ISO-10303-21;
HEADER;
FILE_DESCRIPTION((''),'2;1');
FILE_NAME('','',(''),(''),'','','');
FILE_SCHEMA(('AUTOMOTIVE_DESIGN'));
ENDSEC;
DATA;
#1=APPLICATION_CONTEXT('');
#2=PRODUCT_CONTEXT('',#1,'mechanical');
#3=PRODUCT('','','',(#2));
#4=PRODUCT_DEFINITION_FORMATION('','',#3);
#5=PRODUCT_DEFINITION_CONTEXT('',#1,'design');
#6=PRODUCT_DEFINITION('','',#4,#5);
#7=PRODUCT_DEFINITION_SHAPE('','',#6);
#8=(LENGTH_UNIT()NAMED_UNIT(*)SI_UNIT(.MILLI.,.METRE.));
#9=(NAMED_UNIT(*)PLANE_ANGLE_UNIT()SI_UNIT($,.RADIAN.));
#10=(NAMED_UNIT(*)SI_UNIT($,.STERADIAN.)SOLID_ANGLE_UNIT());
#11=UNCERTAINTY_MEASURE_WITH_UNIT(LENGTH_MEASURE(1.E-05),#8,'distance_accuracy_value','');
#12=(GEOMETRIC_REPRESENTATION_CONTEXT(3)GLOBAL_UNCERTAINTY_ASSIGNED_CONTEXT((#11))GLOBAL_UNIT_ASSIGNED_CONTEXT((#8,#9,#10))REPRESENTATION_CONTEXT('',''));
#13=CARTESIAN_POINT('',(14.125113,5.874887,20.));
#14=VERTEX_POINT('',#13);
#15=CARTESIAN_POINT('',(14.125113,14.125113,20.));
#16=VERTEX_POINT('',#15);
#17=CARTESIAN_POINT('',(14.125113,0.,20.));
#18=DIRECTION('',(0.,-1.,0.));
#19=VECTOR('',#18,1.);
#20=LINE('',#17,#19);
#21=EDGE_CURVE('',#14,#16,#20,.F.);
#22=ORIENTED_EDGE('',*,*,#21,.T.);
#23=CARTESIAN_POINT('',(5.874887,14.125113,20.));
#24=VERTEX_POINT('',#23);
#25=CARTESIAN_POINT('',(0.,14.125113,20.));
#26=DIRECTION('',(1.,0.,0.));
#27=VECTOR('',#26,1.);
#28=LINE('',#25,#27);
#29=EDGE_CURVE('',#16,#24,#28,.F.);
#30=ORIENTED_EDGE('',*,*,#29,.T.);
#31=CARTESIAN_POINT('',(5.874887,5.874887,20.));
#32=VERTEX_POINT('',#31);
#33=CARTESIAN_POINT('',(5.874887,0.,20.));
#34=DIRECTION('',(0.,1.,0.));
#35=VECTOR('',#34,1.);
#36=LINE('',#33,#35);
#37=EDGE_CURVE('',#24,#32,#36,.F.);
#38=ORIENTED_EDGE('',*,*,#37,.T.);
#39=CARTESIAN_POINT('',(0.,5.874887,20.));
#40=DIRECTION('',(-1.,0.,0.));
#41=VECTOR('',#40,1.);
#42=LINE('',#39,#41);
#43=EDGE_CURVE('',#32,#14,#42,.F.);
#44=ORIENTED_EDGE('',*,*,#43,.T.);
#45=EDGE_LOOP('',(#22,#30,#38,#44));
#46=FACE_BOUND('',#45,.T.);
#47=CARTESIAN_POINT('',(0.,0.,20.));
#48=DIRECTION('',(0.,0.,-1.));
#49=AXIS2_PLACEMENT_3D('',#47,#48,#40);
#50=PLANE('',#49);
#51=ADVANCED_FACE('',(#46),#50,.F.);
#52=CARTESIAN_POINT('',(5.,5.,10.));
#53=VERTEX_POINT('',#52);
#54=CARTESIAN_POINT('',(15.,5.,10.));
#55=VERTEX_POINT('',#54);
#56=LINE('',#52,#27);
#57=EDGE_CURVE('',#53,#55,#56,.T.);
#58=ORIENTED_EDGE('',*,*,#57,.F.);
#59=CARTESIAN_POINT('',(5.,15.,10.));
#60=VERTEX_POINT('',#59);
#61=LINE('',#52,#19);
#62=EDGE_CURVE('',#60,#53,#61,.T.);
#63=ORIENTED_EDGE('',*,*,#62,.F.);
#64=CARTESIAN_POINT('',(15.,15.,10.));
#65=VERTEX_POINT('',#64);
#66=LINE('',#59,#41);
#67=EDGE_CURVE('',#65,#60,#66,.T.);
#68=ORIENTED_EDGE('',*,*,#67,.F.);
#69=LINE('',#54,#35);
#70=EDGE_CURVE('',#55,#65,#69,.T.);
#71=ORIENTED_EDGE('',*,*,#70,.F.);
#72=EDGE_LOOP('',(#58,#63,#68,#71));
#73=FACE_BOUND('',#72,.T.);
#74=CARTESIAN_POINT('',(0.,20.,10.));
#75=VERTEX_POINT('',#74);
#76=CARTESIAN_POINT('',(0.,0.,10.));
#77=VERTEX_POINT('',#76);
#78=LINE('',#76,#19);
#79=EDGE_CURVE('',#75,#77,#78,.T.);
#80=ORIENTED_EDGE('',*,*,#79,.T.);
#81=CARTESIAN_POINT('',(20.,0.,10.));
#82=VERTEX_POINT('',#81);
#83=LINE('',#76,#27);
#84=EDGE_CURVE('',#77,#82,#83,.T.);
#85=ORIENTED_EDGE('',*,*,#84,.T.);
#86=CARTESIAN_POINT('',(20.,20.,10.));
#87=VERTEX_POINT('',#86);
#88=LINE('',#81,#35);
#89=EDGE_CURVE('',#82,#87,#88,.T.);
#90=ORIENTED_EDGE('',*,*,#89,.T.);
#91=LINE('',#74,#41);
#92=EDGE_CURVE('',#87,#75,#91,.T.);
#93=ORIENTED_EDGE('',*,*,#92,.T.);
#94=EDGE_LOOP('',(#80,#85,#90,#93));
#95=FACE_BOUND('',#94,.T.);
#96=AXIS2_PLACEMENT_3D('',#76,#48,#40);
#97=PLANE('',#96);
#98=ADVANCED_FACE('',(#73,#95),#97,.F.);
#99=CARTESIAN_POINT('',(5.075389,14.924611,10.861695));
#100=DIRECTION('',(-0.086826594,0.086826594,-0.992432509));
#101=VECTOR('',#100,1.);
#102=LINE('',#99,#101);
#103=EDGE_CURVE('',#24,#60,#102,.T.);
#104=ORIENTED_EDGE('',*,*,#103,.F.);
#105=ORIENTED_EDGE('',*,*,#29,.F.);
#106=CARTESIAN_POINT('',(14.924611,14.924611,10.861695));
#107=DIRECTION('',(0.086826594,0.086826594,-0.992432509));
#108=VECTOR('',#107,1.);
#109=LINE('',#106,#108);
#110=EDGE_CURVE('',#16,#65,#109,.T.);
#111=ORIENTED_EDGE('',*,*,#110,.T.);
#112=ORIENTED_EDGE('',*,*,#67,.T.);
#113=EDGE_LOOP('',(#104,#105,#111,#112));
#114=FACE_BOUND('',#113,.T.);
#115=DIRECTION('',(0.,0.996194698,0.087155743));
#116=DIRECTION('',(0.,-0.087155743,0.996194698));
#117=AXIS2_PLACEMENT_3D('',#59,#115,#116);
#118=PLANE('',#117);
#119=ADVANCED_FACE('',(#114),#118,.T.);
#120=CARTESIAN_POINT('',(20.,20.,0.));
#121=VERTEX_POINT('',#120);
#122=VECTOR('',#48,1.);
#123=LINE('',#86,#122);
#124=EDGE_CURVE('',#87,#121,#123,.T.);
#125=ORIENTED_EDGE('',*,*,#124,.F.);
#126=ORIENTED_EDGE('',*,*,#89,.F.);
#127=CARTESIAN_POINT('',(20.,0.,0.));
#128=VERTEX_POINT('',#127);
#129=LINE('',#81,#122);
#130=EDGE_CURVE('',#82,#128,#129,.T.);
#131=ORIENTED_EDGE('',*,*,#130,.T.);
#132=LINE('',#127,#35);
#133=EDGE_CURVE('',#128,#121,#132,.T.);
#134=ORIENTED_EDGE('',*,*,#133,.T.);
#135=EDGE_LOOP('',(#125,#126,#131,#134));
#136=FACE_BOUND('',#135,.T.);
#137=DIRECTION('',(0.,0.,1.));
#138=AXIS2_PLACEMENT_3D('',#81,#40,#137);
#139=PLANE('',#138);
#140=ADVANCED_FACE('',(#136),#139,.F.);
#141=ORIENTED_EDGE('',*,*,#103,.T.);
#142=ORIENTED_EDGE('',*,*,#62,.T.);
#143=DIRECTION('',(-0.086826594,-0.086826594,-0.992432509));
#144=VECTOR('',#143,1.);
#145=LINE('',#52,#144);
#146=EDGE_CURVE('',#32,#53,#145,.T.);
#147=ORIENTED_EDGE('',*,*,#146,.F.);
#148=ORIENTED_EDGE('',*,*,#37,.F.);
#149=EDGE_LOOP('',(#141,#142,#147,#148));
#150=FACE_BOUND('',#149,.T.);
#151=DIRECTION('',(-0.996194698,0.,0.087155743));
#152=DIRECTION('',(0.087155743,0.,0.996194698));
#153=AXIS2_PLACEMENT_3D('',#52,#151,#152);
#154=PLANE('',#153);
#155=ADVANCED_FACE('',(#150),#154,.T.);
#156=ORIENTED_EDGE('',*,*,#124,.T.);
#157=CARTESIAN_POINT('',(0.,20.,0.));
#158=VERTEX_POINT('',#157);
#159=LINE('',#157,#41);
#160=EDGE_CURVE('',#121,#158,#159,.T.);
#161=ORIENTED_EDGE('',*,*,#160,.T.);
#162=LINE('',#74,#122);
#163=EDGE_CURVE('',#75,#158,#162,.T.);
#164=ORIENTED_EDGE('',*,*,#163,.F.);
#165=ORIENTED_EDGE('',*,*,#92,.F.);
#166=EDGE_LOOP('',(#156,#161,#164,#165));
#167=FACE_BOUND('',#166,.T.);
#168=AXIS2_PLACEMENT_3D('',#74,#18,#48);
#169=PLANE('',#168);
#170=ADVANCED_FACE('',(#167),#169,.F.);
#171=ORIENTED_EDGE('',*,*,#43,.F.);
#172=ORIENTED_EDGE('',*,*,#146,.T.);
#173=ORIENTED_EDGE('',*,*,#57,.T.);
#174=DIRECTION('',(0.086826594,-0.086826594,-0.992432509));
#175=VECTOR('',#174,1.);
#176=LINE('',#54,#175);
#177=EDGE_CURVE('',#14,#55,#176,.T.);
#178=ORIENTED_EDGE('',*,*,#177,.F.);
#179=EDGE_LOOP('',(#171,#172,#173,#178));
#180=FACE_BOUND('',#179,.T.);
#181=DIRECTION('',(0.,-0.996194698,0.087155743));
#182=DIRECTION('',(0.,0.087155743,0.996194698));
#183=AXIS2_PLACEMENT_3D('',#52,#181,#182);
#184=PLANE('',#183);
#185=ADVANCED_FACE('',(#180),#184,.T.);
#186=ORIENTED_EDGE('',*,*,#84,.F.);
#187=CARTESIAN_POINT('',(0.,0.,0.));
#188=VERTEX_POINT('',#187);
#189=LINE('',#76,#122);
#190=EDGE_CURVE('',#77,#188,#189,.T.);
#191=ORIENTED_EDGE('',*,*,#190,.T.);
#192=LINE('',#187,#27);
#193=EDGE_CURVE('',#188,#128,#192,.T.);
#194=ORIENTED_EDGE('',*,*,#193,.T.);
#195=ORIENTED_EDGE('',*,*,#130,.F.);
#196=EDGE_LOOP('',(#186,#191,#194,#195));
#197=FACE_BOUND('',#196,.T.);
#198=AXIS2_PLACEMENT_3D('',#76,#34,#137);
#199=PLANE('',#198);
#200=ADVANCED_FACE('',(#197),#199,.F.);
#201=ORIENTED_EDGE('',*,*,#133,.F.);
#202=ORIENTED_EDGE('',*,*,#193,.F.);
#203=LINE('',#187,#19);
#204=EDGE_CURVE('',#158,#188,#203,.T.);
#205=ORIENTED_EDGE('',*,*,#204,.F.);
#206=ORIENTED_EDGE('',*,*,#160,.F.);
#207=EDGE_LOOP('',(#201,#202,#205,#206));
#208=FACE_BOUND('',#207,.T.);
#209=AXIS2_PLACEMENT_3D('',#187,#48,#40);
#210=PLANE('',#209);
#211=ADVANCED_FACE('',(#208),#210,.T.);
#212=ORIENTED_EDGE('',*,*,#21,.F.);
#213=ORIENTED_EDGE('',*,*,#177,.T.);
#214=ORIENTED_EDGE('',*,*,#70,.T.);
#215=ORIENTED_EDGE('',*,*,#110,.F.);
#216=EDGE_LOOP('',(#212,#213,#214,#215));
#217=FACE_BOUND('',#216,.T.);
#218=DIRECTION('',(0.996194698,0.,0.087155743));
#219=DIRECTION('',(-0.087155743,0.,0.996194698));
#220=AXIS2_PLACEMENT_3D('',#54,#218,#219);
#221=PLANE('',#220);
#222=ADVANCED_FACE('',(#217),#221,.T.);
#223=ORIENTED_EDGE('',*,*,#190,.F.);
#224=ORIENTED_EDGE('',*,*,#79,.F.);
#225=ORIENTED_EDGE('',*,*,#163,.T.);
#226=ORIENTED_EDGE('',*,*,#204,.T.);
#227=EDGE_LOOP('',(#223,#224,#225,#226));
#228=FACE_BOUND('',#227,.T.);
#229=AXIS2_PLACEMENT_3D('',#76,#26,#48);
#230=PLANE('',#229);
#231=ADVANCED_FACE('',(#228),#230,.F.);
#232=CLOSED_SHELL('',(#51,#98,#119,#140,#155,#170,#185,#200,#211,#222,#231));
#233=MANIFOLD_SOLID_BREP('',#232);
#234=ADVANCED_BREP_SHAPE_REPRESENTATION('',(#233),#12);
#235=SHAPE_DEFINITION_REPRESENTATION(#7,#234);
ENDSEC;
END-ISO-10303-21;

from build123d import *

# Parameters (mm, degrees)
SKETCH_1_W         = 20
SKETCH_1_H         = 20
BASEBOX_DEPTH      = 10
SKETCH_2_W         = 10
SKETCH_2_H         = 10
DRAFTOUTWARD_DEPTH = 10
DRAFTOUTWARD_TAPER = 5


with BuildPart() as part:
    # 草图1 → BaseBox (new body)
    with BuildSketch(Plane.XY):
        with Locations((10, 10)):
            Rectangle(SKETCH_1_W, SKETCH_1_H)
    extrude(amount=BASEBOX_DEPTH)

    # 草图2 → DraftOutward (add)
    with BuildSketch(Plane.XY.offset(10)):
        with Locations((10, 10)):
            Rectangle(SKETCH_2_W, SKETCH_2_H)
    extrude(amount=DRAFTOUTWARD_DEPTH, taper=DRAFTOUTWARD_TAPER)


solid = part.part
